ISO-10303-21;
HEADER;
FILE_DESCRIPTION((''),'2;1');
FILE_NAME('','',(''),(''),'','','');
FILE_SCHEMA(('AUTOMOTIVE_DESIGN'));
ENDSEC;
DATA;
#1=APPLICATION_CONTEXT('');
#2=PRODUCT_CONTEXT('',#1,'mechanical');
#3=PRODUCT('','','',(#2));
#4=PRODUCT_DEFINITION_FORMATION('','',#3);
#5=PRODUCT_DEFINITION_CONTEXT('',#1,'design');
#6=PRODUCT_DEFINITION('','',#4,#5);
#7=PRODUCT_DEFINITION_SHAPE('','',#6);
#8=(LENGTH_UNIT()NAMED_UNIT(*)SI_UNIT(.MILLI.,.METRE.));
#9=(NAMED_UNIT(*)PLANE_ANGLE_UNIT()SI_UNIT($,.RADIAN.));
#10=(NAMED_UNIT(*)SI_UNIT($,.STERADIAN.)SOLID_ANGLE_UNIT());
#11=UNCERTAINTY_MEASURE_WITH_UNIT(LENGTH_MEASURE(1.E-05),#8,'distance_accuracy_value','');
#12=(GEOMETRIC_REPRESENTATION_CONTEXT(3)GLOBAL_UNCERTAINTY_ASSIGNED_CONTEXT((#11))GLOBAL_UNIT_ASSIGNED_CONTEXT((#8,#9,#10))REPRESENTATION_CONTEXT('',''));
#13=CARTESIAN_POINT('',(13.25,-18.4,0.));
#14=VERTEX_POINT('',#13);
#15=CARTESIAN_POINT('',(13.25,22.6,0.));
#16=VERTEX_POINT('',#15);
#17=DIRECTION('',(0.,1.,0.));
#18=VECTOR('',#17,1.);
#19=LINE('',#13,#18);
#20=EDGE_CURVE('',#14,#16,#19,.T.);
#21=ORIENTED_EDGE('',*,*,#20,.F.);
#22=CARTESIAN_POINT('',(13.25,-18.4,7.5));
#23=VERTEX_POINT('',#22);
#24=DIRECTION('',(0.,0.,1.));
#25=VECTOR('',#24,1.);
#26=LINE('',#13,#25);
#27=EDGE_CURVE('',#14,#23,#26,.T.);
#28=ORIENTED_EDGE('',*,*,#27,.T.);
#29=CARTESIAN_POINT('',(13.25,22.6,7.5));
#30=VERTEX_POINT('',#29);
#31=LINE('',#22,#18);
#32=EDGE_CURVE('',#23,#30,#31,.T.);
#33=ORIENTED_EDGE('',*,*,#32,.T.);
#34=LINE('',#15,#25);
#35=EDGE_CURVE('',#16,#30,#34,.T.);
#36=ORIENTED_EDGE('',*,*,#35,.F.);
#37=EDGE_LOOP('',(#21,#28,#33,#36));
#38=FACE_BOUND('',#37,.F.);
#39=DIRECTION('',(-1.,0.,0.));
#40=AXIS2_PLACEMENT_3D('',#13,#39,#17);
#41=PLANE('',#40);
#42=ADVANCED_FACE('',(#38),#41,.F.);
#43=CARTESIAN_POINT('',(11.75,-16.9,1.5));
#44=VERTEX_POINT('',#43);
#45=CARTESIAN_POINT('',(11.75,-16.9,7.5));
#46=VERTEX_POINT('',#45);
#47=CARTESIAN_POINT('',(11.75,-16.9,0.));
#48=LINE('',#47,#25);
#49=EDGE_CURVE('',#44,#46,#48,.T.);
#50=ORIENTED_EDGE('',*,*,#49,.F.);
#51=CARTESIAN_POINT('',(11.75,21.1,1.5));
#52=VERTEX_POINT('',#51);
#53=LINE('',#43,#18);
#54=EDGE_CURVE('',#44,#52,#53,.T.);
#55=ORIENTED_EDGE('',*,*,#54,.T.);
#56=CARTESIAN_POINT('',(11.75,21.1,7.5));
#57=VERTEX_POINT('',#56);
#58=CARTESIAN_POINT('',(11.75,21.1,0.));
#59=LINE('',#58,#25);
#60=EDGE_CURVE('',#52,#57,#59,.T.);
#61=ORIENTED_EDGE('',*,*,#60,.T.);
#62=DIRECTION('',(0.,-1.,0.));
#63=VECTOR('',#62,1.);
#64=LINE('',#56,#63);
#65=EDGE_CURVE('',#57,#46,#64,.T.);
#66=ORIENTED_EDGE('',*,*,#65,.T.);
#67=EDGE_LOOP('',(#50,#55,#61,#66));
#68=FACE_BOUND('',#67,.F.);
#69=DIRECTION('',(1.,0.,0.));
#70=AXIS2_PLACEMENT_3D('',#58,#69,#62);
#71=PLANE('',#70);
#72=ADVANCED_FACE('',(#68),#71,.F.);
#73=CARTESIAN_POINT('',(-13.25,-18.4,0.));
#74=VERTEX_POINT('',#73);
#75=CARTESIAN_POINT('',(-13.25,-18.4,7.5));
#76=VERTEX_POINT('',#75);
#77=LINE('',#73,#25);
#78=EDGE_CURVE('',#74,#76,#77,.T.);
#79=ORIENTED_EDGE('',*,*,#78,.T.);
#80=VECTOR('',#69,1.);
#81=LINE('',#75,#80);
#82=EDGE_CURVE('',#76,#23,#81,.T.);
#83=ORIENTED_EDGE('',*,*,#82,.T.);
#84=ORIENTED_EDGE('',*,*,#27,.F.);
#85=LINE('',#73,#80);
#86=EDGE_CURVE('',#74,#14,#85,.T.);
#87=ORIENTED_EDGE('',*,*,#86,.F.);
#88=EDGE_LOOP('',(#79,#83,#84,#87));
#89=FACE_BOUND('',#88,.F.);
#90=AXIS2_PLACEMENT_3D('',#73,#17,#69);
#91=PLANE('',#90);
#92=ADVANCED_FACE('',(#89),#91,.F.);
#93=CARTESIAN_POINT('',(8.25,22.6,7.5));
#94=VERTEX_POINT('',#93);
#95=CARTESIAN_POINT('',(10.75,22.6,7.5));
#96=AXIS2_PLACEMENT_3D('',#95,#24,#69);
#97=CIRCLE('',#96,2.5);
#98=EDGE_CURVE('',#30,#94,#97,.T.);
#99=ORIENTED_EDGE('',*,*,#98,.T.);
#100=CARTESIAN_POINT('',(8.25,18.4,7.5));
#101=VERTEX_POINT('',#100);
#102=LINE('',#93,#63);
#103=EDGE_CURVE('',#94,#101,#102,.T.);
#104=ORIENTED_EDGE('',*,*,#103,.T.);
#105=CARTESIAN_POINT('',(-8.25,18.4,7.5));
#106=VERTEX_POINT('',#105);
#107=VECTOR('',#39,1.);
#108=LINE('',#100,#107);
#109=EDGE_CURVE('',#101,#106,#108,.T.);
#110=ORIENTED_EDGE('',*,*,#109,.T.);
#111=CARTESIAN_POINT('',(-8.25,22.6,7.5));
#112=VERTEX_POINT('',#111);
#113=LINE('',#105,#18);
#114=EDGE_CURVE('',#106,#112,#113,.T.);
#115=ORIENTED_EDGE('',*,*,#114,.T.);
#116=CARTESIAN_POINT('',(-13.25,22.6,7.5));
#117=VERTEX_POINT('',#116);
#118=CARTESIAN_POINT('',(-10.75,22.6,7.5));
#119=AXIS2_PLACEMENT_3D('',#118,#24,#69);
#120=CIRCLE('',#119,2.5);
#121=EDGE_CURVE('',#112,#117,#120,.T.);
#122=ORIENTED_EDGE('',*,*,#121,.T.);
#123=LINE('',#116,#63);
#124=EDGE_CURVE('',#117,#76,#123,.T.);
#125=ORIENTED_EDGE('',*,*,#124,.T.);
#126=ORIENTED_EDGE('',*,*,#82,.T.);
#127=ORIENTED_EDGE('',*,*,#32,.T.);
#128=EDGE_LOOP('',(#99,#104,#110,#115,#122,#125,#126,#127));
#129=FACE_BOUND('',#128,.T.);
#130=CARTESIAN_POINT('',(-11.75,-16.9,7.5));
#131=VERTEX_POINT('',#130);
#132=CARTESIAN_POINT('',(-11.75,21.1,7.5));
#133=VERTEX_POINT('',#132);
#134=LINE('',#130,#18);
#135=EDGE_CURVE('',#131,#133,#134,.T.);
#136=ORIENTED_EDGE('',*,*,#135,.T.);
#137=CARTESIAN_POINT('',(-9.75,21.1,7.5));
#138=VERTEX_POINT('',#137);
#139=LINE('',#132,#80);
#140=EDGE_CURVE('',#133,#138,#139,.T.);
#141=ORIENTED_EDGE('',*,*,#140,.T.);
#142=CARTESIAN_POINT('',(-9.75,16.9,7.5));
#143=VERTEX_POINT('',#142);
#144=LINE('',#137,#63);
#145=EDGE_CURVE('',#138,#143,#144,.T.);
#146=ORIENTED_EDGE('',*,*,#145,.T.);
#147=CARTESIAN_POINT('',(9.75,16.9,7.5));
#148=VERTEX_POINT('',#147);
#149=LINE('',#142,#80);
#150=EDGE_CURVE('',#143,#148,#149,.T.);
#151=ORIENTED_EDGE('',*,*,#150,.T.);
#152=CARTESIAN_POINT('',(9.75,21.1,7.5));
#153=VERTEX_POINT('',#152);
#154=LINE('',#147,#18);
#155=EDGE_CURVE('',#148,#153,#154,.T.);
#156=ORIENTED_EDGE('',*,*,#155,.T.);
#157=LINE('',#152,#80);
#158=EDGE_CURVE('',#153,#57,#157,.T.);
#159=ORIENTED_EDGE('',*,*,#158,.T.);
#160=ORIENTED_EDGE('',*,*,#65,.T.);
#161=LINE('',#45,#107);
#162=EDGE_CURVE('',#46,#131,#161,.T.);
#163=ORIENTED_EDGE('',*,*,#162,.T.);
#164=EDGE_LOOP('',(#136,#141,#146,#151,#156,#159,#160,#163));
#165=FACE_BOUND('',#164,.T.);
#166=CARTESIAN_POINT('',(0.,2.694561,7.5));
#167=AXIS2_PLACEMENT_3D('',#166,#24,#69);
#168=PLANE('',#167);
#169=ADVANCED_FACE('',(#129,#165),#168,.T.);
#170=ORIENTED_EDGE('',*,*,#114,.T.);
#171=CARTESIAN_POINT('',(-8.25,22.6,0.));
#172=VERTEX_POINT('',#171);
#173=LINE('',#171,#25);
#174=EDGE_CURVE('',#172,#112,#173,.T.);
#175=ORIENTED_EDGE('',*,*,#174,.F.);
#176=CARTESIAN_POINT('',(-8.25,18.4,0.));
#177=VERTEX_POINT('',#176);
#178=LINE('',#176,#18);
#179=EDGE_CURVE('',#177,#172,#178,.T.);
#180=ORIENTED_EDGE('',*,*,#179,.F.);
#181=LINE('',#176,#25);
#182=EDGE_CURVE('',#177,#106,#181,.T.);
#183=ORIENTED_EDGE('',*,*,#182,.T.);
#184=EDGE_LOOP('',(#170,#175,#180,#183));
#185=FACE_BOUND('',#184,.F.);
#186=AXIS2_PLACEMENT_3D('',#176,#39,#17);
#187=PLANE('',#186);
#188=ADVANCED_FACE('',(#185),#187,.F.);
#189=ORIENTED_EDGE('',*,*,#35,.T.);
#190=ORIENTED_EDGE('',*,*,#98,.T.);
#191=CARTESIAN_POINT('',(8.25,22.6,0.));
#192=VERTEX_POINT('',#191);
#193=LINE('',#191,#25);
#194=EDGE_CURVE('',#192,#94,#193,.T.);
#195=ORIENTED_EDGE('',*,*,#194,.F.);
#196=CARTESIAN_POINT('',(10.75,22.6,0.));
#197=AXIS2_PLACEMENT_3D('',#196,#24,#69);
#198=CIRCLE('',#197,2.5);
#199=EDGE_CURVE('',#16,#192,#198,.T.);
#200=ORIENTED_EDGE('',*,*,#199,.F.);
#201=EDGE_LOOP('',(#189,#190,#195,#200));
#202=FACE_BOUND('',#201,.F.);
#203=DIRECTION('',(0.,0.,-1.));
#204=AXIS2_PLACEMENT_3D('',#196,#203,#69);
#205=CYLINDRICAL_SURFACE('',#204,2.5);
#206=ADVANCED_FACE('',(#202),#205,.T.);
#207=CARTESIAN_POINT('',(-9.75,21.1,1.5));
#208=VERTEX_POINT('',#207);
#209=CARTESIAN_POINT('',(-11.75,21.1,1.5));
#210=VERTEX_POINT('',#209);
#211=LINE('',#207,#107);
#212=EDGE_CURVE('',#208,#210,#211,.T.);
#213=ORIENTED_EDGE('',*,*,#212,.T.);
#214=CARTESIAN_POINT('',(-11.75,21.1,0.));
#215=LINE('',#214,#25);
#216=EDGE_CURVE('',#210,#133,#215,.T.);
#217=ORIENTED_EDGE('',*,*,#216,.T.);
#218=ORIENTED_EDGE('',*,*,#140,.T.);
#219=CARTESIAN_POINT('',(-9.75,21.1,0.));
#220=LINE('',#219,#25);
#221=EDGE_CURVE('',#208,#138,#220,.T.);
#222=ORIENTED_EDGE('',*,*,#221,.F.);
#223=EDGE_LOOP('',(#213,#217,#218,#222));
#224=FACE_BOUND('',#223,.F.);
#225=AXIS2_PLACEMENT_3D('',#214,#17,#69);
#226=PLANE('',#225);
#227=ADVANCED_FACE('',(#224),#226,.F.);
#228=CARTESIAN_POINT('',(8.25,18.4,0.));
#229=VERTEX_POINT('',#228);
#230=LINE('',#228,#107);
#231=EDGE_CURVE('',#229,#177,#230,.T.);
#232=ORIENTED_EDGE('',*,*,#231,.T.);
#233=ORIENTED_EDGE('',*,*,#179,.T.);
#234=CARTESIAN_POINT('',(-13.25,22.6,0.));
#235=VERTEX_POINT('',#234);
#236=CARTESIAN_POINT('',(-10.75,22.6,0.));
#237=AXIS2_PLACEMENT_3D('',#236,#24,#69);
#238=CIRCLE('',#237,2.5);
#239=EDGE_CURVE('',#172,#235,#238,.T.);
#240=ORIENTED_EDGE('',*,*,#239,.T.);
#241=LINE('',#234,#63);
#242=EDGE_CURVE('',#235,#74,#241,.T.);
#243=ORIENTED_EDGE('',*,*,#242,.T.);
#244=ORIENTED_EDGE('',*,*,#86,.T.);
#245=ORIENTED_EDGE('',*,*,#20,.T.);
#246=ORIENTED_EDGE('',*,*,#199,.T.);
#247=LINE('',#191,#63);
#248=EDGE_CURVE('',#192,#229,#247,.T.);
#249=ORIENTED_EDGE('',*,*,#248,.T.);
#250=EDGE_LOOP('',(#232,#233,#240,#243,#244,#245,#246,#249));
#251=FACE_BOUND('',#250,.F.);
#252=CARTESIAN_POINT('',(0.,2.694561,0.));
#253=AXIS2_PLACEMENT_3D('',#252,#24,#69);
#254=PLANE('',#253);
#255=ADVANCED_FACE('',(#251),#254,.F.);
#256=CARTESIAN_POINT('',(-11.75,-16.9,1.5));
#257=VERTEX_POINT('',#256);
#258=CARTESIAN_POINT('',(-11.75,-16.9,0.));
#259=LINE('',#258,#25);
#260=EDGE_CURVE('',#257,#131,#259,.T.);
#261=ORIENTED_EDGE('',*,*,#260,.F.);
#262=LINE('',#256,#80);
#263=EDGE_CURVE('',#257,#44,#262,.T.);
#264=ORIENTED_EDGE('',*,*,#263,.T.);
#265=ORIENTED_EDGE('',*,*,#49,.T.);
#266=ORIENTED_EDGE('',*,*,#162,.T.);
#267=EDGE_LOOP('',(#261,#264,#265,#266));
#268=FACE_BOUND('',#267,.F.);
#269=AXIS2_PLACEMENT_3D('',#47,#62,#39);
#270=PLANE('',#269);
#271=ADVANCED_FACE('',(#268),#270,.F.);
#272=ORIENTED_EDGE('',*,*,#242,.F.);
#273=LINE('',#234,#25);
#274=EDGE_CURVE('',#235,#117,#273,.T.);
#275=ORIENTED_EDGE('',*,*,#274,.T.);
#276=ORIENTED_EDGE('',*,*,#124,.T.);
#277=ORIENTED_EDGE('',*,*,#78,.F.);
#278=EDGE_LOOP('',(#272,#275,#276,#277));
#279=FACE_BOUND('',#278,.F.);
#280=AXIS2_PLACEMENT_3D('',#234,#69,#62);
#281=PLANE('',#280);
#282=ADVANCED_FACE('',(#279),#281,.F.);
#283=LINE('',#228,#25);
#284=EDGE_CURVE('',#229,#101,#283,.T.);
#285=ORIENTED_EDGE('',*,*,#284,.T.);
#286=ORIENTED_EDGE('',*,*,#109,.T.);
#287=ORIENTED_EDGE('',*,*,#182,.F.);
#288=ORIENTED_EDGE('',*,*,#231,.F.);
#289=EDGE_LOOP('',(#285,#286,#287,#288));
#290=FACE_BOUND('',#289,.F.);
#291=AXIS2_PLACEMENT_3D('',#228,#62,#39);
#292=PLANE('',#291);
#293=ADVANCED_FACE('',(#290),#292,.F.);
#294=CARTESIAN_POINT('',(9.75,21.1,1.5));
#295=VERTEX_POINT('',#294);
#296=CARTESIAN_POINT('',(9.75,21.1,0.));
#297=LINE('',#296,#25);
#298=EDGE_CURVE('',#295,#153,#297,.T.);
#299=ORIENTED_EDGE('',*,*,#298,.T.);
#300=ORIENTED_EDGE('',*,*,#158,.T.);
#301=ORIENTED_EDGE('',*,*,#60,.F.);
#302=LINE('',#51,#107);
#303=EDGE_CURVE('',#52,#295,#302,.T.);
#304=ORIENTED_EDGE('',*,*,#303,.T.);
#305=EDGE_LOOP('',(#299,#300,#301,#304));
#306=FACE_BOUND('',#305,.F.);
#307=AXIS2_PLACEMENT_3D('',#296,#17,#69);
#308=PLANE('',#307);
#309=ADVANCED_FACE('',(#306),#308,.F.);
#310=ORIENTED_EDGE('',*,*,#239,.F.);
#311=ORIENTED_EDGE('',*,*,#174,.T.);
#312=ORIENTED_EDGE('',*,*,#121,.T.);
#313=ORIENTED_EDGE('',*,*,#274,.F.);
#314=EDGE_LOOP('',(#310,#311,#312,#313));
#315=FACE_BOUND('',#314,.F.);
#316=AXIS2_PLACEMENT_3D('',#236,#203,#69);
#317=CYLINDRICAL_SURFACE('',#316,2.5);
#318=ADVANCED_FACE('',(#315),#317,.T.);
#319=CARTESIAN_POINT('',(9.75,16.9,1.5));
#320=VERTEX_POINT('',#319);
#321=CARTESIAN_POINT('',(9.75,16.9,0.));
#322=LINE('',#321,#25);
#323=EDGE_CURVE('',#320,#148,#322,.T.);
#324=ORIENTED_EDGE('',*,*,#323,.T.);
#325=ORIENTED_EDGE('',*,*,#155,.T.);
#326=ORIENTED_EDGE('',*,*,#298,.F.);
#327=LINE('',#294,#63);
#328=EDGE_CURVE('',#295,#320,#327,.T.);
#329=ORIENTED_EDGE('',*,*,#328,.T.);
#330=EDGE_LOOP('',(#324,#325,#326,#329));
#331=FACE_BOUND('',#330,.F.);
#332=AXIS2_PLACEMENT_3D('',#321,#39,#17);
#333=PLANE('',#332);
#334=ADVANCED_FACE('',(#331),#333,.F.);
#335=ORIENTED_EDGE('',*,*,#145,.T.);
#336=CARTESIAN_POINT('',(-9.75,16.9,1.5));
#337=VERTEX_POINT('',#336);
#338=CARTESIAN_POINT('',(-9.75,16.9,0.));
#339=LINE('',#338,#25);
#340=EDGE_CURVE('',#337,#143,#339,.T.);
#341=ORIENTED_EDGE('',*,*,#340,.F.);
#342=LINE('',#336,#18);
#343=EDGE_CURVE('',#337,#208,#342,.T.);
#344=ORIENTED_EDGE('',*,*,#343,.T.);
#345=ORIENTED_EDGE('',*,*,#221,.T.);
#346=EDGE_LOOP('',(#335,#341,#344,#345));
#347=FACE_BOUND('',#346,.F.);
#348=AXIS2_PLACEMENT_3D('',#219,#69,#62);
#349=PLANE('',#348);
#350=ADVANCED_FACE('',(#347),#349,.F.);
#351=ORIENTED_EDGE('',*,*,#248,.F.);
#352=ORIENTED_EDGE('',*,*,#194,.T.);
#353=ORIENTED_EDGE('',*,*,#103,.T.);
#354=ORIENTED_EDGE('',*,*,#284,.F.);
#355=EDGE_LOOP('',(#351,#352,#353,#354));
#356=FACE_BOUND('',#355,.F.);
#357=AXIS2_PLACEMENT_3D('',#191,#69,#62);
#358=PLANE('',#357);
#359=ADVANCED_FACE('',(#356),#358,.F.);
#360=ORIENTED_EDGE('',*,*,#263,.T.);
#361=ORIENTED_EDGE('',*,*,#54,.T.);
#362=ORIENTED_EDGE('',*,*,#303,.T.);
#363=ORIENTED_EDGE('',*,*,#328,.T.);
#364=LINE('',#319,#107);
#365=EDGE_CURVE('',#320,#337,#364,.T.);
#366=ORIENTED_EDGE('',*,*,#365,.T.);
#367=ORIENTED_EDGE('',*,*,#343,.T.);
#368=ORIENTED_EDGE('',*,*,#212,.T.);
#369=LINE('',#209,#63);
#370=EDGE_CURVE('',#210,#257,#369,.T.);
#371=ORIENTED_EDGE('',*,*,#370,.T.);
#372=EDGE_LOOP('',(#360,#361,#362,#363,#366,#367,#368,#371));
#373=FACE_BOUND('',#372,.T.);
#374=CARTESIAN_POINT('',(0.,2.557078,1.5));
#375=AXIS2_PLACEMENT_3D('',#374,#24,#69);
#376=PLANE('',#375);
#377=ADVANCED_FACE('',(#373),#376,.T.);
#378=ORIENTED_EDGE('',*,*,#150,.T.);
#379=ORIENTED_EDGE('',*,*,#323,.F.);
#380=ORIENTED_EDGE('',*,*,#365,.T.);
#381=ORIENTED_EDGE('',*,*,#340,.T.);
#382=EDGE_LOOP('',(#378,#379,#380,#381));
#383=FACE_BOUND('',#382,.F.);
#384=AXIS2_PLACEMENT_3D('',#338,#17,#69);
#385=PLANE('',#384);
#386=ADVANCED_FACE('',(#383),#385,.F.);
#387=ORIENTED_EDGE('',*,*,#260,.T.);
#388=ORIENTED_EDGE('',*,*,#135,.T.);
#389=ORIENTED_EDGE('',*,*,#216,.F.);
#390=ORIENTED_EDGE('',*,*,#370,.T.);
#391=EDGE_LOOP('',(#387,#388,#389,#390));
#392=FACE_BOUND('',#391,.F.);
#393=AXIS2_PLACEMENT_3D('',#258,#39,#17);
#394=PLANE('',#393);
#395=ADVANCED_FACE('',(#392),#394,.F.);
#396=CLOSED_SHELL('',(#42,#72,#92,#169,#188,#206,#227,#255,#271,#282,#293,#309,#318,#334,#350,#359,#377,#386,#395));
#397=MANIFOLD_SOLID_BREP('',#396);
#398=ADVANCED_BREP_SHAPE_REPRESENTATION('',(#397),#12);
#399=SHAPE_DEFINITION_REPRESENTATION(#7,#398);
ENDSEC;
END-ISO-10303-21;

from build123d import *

# Parameters (mm, degrees)
F1_DEPTH = 1.5
F2_DEPTH = 7.5


with BuildPart() as f1:
    # F0 (on Top) → F1 (new body)
    with BuildSketch(Plane.XY):
        Polygon((9.75, 18.4), (9.75, 16.9), (-9.75, 16.9), (-9.75, 18.4), (-9.75, 21.1), (-11.75, 21.1), (-11.75, 18.4), (-11.75, 16.9), (-11.75, -16.9), (11.75, -16.9), (11.75, 16.9), (11.75, 18.4), (11.75, 21.1), (9.75, 21.1), align=None)
    extrude(amount=F1_DEPTH)

    # F0 (on Top) → F2 (join)
    with BuildSketch(Plane.XY):
        Polygon((13.25, -18.4), (13.25, 18.4), (13.25, 22.6), (8.25, 22.6), (8.25, 18.4), (-8.25, 18.4), (-8.25, 22.6), (-13.25, 22.6), (-13.25, 18.4), (-13.25, -18.4), align=None)
        Polygon((-9.75, 16.9), (9.75, 16.9), (9.75, 18.4), (9.75, 21.1), (11.75, 21.1), (11.75, 18.4), (11.75, 16.9), (11.75, -16.9), (-11.75, -16.9), (-11.75, 16.9), (-11.75, 18.4), (-11.75, 21.1), (-9.75, 21.1), (-9.75, 18.4), align=None, mode=Mode.SUBTRACT)
        with BuildLine():
            Line((8.25, 22.6), (13.25, 22.6))
            ThreePointArc((13.25, 22.6), (10.75, 25.1), (8.25, 22.6))
        make_face()
        with BuildLine():
            ThreePointArc((-8.25, 22.6), (-10.75, 25.1), (-13.25, 22.6))
            Line((-13.25, 22.6), (-8.25, 22.6))
        make_face()
    extrude(amount=F2_DEPTH)


solid = f1.part
